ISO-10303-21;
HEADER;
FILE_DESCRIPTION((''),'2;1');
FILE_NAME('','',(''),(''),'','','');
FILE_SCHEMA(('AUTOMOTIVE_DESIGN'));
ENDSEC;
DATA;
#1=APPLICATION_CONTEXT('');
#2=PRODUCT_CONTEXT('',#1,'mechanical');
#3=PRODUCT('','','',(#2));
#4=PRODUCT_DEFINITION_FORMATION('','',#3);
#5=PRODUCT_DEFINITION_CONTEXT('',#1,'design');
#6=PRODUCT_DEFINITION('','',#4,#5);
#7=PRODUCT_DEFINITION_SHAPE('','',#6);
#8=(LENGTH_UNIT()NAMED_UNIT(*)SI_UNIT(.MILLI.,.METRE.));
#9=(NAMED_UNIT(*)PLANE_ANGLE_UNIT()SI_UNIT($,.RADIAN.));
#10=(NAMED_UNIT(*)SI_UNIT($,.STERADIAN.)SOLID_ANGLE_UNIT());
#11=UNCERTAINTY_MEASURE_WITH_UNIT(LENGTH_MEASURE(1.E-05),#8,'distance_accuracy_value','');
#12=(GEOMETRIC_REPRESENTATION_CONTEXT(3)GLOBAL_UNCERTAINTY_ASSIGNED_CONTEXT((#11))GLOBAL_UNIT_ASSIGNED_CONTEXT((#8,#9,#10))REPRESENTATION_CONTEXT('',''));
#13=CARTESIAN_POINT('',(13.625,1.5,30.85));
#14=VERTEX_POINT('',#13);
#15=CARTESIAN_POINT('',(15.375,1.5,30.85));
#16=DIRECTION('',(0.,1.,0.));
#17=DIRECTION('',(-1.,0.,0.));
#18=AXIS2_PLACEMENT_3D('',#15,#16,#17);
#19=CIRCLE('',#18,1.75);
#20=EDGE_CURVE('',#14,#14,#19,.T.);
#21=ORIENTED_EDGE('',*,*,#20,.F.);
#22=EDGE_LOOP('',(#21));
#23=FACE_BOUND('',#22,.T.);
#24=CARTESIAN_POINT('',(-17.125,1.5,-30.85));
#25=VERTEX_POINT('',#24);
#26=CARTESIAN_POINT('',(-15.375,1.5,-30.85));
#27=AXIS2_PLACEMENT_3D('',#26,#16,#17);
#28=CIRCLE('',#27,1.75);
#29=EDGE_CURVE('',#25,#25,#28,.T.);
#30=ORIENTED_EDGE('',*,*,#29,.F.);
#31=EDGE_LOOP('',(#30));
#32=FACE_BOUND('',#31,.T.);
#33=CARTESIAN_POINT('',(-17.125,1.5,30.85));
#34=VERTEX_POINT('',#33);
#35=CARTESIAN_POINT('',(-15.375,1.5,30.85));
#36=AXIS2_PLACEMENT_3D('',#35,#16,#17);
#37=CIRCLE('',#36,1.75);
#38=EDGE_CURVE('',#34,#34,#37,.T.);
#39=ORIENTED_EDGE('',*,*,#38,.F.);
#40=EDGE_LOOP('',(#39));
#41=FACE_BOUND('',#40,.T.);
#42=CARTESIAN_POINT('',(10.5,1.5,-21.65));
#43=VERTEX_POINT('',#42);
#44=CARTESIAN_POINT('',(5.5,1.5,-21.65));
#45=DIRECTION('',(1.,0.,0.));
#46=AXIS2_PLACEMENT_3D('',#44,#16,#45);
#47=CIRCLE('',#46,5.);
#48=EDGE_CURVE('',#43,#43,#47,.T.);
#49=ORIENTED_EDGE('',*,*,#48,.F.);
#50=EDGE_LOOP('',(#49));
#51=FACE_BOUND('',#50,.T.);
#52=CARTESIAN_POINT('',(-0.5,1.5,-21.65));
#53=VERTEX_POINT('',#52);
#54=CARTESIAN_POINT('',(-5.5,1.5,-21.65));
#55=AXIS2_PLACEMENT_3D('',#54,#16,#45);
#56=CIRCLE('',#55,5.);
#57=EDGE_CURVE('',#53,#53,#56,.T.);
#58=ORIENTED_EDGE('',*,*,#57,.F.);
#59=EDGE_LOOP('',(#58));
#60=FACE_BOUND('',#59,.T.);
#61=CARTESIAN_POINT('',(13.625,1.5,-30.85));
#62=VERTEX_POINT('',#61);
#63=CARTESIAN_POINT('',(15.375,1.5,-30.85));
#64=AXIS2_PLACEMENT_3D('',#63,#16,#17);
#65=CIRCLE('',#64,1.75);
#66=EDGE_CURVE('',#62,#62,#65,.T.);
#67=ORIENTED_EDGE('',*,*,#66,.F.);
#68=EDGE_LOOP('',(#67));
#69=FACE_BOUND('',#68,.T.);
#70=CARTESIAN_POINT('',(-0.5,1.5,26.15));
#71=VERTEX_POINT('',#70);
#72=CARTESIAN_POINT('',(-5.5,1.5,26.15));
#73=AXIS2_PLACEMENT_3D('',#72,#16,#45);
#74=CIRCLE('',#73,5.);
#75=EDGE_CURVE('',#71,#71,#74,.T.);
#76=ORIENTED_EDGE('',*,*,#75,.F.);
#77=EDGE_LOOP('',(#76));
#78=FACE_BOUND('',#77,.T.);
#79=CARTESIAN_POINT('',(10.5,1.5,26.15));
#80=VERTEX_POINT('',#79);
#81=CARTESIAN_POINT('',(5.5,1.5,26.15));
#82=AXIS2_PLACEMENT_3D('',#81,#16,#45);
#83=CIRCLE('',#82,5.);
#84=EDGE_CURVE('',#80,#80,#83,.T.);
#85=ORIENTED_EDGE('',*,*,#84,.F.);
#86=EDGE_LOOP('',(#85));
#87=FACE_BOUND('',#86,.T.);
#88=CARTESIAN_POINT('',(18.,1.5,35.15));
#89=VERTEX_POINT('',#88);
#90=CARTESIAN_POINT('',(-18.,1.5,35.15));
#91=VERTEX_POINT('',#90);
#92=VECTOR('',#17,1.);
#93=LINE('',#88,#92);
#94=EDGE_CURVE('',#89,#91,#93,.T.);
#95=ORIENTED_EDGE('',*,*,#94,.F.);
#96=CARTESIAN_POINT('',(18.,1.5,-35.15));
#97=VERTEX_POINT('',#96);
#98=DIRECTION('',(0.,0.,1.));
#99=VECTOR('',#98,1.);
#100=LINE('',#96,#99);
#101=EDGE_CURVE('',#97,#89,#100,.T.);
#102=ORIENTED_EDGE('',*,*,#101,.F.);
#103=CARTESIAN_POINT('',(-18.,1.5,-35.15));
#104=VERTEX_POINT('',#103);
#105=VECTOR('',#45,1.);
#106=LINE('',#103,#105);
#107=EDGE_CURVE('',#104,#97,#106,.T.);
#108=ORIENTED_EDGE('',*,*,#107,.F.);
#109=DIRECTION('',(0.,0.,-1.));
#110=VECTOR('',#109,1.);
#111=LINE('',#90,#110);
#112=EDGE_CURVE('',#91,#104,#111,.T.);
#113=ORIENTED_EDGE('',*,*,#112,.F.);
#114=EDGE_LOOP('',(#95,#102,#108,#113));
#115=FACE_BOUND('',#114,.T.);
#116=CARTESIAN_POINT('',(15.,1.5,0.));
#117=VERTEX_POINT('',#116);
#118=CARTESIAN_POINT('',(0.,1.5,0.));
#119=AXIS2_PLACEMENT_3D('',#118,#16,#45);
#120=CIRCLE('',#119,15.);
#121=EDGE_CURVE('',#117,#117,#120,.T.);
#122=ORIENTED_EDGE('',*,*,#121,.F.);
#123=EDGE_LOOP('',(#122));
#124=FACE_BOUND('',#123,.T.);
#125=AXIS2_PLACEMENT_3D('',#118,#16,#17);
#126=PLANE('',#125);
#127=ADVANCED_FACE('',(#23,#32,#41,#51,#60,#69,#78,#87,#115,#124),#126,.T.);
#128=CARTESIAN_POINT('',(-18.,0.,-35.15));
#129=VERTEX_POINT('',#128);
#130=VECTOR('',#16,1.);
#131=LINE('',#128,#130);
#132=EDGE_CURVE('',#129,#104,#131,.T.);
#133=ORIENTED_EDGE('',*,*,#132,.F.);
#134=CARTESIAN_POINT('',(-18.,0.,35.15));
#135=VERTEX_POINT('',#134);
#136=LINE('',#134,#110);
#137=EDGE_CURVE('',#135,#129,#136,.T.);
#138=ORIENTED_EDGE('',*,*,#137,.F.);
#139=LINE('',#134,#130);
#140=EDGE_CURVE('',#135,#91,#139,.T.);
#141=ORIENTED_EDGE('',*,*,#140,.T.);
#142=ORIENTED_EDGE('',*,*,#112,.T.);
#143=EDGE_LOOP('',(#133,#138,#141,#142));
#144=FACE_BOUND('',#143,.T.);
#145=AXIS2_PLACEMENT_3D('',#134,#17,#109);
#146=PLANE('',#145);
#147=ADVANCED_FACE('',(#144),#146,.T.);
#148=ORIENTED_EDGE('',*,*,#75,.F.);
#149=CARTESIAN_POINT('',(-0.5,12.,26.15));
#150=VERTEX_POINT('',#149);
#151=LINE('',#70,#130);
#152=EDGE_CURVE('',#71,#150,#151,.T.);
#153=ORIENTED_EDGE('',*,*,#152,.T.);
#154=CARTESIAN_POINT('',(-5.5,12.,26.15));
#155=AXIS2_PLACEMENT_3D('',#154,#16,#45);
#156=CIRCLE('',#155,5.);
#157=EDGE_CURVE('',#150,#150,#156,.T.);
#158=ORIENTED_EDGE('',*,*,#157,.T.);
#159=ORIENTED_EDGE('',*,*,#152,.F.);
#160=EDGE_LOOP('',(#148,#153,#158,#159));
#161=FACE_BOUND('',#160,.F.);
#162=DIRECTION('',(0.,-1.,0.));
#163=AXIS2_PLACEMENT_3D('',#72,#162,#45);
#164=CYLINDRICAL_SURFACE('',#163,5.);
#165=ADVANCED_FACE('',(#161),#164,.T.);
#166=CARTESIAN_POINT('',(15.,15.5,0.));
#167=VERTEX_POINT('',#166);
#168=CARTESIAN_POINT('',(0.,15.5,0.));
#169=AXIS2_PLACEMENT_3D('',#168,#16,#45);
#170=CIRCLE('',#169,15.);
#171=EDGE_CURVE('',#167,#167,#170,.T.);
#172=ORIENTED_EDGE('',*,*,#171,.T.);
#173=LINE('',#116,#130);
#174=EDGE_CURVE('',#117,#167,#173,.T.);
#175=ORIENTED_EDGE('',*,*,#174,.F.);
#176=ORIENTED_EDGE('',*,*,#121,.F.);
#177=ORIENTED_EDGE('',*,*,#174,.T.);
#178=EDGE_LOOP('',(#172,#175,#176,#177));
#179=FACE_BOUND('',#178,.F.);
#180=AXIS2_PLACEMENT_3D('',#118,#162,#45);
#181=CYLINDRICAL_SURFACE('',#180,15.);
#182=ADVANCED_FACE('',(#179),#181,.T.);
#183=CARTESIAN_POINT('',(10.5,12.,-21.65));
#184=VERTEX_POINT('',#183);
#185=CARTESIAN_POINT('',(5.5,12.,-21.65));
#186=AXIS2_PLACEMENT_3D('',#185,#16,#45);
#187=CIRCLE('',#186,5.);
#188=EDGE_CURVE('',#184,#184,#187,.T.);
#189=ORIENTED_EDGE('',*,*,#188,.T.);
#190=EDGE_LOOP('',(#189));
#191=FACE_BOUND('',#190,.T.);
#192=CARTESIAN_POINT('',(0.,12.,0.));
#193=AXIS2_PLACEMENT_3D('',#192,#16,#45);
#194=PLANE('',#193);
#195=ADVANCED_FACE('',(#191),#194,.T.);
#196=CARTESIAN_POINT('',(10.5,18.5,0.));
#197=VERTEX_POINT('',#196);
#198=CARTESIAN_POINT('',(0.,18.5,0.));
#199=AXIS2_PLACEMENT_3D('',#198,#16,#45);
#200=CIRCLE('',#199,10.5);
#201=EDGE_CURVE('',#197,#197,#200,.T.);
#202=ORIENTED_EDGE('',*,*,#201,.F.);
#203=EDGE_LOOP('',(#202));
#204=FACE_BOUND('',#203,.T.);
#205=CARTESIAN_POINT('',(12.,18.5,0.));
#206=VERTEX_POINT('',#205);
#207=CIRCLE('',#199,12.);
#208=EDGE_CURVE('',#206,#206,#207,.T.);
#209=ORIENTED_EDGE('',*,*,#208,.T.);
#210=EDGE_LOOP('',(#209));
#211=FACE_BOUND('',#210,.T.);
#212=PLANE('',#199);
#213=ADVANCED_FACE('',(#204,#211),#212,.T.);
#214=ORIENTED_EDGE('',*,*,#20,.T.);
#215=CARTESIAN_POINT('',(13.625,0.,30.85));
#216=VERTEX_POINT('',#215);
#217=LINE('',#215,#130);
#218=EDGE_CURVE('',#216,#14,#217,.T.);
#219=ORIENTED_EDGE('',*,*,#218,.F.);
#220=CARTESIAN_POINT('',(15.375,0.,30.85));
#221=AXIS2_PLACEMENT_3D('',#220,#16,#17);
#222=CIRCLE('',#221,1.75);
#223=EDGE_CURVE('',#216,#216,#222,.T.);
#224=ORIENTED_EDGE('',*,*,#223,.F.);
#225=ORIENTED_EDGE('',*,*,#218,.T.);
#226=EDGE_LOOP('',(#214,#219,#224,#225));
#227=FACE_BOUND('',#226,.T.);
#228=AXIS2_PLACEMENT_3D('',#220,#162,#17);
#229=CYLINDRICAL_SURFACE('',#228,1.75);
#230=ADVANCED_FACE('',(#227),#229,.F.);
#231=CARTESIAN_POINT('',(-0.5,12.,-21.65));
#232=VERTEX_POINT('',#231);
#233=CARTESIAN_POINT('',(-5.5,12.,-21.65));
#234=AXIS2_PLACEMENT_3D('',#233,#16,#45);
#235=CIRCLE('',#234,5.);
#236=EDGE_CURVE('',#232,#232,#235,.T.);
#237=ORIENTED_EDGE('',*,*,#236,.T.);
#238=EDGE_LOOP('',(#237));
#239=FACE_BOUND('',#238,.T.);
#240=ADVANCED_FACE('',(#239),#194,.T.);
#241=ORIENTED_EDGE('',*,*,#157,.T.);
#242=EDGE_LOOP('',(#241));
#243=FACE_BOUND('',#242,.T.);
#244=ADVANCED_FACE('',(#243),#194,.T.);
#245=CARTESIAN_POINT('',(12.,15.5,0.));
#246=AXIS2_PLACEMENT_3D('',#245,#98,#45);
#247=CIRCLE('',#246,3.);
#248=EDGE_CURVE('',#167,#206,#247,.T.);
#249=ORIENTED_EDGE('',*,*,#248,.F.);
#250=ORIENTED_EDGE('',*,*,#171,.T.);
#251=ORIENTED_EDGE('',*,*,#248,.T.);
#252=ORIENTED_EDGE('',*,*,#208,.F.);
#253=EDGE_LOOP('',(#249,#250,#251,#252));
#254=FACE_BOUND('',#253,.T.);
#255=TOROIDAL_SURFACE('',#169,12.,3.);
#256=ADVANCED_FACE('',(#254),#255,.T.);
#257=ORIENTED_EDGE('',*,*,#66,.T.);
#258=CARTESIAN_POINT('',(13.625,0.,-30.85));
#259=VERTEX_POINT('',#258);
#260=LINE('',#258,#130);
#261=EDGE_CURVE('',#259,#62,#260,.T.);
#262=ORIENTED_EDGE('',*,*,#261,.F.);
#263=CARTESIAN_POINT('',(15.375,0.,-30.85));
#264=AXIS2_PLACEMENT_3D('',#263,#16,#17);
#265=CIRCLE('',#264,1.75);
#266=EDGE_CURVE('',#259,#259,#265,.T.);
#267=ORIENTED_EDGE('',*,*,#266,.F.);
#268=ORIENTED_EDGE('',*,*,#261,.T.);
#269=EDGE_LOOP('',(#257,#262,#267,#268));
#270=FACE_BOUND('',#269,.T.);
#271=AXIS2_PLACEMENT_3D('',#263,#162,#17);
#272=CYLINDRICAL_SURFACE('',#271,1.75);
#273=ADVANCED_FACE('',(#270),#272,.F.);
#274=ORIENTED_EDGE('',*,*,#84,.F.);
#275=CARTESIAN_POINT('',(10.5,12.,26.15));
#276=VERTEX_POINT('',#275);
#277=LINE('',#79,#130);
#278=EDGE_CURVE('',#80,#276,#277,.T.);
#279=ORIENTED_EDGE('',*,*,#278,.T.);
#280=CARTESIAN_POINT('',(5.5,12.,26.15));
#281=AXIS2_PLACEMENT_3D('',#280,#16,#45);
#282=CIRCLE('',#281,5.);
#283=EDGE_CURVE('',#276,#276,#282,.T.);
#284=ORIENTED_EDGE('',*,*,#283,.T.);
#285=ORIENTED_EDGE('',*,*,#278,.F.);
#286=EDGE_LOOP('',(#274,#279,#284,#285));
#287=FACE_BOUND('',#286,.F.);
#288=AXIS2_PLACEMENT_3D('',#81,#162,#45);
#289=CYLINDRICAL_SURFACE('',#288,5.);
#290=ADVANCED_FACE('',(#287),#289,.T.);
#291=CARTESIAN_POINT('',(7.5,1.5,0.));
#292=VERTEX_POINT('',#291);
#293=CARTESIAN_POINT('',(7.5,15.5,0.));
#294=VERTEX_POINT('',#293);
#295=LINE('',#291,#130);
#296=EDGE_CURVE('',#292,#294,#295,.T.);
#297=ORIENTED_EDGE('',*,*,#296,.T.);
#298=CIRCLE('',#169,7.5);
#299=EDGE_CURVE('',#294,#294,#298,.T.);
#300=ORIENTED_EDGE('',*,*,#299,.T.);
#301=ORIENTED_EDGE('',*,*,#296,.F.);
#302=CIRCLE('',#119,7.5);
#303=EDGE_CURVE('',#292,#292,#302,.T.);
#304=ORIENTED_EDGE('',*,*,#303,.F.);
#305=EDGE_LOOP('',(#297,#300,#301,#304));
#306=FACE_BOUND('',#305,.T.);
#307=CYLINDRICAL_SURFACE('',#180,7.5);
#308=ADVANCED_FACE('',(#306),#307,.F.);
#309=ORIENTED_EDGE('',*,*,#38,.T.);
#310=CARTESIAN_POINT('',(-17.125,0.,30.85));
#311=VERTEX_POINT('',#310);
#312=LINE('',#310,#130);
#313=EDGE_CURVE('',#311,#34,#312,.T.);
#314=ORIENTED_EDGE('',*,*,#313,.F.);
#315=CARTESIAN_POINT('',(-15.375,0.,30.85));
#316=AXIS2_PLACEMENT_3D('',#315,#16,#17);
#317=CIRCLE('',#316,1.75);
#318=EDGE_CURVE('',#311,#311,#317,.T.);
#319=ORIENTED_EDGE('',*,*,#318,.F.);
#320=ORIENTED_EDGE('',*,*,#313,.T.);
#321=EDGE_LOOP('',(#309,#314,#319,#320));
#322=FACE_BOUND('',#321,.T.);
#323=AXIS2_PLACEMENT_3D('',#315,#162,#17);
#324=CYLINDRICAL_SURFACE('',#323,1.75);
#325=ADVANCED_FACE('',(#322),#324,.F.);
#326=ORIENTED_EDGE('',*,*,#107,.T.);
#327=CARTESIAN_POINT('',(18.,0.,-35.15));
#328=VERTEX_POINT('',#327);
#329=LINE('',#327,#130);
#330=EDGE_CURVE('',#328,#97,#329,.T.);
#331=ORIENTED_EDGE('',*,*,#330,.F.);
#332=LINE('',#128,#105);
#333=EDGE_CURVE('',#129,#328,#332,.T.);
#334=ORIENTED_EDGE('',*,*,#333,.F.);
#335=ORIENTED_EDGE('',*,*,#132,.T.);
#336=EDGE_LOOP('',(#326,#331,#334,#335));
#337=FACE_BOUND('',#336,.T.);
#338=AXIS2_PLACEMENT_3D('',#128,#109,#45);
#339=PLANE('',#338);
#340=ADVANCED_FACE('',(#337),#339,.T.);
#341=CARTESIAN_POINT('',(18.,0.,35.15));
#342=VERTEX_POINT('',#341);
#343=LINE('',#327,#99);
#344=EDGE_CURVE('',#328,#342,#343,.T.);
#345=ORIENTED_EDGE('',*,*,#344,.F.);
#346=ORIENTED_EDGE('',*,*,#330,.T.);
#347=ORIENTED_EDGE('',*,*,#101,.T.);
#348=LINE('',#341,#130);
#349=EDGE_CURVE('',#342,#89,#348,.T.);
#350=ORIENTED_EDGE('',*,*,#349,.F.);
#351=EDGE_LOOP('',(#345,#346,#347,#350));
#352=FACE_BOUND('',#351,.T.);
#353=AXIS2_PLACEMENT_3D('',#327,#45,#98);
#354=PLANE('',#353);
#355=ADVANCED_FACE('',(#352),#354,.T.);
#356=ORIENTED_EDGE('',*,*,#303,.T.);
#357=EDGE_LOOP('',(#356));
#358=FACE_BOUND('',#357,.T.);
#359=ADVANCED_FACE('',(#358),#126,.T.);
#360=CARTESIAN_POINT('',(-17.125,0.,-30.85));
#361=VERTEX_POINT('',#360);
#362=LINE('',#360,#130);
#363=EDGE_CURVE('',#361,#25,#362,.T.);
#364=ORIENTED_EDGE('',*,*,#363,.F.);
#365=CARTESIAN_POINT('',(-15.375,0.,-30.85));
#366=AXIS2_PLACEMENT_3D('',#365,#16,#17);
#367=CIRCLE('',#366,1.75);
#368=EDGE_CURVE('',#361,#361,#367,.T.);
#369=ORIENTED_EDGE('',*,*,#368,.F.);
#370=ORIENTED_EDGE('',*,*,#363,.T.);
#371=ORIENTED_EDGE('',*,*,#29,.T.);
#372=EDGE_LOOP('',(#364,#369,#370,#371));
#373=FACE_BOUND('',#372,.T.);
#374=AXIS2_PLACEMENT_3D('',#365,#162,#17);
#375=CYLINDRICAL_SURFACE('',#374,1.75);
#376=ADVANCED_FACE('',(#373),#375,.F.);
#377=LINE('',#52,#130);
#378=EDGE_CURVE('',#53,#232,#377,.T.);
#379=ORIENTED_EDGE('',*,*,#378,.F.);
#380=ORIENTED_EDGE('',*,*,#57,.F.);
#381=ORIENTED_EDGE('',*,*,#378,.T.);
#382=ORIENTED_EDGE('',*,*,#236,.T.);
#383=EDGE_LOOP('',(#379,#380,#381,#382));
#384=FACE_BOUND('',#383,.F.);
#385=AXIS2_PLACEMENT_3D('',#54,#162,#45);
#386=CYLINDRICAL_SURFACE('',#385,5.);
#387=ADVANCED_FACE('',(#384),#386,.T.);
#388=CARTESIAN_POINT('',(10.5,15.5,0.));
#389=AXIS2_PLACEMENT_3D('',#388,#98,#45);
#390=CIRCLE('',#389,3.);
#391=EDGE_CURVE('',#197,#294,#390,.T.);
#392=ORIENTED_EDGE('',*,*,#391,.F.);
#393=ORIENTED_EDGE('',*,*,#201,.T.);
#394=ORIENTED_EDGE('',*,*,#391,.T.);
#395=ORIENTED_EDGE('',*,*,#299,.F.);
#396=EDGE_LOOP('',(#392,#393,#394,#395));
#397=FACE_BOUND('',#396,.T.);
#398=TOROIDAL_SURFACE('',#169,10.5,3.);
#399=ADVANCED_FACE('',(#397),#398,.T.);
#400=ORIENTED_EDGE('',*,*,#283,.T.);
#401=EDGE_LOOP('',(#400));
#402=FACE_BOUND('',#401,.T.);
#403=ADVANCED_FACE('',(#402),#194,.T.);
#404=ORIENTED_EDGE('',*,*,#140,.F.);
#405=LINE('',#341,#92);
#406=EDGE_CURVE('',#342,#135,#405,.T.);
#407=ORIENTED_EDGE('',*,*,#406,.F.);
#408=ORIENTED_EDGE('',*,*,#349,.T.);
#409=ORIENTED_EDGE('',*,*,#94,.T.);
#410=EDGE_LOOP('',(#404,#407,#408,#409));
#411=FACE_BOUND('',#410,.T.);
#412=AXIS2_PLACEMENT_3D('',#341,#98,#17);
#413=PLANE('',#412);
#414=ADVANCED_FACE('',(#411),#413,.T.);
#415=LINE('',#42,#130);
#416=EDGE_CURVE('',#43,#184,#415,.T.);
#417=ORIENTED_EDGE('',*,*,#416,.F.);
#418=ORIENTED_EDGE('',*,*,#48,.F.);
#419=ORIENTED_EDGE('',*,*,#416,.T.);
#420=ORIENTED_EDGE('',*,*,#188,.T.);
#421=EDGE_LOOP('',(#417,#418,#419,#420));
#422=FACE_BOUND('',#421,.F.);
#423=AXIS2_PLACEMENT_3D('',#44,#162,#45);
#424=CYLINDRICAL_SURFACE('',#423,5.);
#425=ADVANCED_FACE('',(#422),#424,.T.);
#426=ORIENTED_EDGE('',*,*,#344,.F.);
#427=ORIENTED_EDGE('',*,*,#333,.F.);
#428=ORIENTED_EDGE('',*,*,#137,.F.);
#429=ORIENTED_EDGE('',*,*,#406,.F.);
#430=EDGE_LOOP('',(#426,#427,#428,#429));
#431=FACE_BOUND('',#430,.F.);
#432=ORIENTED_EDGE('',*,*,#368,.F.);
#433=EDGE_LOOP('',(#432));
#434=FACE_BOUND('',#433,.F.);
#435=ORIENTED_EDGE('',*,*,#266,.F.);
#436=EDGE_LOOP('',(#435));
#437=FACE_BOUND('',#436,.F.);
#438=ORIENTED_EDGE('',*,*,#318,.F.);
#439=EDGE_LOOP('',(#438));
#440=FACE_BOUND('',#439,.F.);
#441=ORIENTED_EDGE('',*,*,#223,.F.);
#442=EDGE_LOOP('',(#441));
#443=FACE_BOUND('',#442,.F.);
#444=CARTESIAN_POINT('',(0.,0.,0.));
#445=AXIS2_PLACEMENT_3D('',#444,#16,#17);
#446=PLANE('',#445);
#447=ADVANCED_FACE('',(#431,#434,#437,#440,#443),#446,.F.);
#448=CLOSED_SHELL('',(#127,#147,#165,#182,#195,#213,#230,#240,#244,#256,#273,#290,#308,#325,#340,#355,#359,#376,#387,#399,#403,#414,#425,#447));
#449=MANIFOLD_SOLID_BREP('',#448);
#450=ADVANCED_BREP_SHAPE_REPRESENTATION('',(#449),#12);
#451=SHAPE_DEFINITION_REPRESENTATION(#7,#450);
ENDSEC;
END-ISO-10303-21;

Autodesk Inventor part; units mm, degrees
ref_plane "YZ Plane" through (0, 0, 0) normal (1, 0, 0) x (0, 1, 0)
ref_plane "XZ Plane" through (0, 0, 0) normal (0, 1, 0) x (-1, 0, 0)
sketch "Эскиз1" plane through (0, 0, 0) normal (0, 1, 0) x (-1, 0, 0)
  line L0 (18, -35.15) -> (-18, -35.15)
  line L1 (-18, -35.15) -> (-18, 35.15)
  line L2 (-18, 35.15) -> (18, 35.15)
  line L3 (18, 35.15) -> (18, -35.15)
  line L4 (18, -35.15) -> (-18, 35.15) construction
  line L5 (-18, -35.15) -> (18, 35.15) construction
  line L6 (15.375, -30.85) -> (-15.375, -30.85) construction
  line L7 (-15.375, -30.85) -> (-15.375, 30.85) construction
  line L8 (-15.375, 30.85) -> (15.375, 30.85) construction
  line L9 (15.375, 30.85) -> (15.375, -30.85) construction
  line L10 (15.375, -30.85) -> (-15.375, 30.85) construction
  line L11 (-15.375, -30.85) -> (15.375, 30.85) construction
  circle A0 centre (15.375, -30.85) radius 1.75
  line L12 (0, 0) -> (0, -35.15) construction
  line L13 (18, 0) -> (-18, 0) construction
  line L14 (15.375, -30.85) -> (-15.375, 30.85) construction
  circle A1 centre (-15.375, -30.85) radius 1.75
  line L15 (-18, 0) -> (18, 0) construction
  circle A2 centre (15.375, 30.85) radius 1.75
  circle A3 centre (-15.375, 30.85) radius 1.75
  point P0 (0, 0)
  dimension "d0" = 36
  dimension "d1" = 70.3
  dimension "d2" = 30.75
  dimension "d3" = 61.7
  dimension "d4" = 3.5
extrude "Выдавливание1" add sketch "Эскиз1" along normal blind 1.5
sketch "Эскиз2" plane through (0, 1.5, 0) normal (0, 1, 0) x (1, 0, 0)
  circle A0 centre (0, 0) radius 15
  circle A1 centre (0, 0) radius 7.5
  dimension "d7" = 30
  dimension "d8" = 15
extrude "Выдавливание2" add sketch "Эскиз2" along normal blind 17
sketch "Эскиз4" plane through (0, 1.5, 0) normal (0, 1, 0) x (1, 0, 0)
  circle A0 centre (-5.5, -26.15) radius 5
  line L0 (-18, -35.15) -> (18, -35.15) projected
  circle A1 centre (5.5, -26.15) radius 5
  line L1 (-18, 35.15) -> (-18, -35.15) projected
  line L2 (-18, 35.15) -> (-18, -35.15) construction
  line L3 (-18, 0) -> (18, 0) construction
  line L4 (18, -35.15) -> (18, 35.15) construction
  circle A2 centre (-5.5, 21.65) radius 5
  circle A3 centre (5.5, 21.65) radius 5
  line L5 (18, 35.15) -> (-18, 35.15) projected
  point P0 (0, 0)
  dimension "d11" = 10
  dimension "d12" = 9
  dimension "d13" = 10
  dimension "d14" = 9
  dimension "d15" = 11
  dimension "d16" = 12.5
  dimension "d19" = 10
  dimension "d20" = 10
  dimension "d21" = 13.5
  dimension "d22" = 13.5
  dimension "d23" = 11
  dimension "d24" = 12.5
extrude "Выдавливание3" add sketch "Эскиз4" along normal blind 10.5
ref_plane "РабПлоскость1" through (-18, 0, 0) normal (0, 0, 1) x (1, 0, 0)
fillet "Сопряжение1" radius 3 2 edges at (-15, 18.5, 0) (-7.5, 18.5, 0)
properties part number "a1401220"
